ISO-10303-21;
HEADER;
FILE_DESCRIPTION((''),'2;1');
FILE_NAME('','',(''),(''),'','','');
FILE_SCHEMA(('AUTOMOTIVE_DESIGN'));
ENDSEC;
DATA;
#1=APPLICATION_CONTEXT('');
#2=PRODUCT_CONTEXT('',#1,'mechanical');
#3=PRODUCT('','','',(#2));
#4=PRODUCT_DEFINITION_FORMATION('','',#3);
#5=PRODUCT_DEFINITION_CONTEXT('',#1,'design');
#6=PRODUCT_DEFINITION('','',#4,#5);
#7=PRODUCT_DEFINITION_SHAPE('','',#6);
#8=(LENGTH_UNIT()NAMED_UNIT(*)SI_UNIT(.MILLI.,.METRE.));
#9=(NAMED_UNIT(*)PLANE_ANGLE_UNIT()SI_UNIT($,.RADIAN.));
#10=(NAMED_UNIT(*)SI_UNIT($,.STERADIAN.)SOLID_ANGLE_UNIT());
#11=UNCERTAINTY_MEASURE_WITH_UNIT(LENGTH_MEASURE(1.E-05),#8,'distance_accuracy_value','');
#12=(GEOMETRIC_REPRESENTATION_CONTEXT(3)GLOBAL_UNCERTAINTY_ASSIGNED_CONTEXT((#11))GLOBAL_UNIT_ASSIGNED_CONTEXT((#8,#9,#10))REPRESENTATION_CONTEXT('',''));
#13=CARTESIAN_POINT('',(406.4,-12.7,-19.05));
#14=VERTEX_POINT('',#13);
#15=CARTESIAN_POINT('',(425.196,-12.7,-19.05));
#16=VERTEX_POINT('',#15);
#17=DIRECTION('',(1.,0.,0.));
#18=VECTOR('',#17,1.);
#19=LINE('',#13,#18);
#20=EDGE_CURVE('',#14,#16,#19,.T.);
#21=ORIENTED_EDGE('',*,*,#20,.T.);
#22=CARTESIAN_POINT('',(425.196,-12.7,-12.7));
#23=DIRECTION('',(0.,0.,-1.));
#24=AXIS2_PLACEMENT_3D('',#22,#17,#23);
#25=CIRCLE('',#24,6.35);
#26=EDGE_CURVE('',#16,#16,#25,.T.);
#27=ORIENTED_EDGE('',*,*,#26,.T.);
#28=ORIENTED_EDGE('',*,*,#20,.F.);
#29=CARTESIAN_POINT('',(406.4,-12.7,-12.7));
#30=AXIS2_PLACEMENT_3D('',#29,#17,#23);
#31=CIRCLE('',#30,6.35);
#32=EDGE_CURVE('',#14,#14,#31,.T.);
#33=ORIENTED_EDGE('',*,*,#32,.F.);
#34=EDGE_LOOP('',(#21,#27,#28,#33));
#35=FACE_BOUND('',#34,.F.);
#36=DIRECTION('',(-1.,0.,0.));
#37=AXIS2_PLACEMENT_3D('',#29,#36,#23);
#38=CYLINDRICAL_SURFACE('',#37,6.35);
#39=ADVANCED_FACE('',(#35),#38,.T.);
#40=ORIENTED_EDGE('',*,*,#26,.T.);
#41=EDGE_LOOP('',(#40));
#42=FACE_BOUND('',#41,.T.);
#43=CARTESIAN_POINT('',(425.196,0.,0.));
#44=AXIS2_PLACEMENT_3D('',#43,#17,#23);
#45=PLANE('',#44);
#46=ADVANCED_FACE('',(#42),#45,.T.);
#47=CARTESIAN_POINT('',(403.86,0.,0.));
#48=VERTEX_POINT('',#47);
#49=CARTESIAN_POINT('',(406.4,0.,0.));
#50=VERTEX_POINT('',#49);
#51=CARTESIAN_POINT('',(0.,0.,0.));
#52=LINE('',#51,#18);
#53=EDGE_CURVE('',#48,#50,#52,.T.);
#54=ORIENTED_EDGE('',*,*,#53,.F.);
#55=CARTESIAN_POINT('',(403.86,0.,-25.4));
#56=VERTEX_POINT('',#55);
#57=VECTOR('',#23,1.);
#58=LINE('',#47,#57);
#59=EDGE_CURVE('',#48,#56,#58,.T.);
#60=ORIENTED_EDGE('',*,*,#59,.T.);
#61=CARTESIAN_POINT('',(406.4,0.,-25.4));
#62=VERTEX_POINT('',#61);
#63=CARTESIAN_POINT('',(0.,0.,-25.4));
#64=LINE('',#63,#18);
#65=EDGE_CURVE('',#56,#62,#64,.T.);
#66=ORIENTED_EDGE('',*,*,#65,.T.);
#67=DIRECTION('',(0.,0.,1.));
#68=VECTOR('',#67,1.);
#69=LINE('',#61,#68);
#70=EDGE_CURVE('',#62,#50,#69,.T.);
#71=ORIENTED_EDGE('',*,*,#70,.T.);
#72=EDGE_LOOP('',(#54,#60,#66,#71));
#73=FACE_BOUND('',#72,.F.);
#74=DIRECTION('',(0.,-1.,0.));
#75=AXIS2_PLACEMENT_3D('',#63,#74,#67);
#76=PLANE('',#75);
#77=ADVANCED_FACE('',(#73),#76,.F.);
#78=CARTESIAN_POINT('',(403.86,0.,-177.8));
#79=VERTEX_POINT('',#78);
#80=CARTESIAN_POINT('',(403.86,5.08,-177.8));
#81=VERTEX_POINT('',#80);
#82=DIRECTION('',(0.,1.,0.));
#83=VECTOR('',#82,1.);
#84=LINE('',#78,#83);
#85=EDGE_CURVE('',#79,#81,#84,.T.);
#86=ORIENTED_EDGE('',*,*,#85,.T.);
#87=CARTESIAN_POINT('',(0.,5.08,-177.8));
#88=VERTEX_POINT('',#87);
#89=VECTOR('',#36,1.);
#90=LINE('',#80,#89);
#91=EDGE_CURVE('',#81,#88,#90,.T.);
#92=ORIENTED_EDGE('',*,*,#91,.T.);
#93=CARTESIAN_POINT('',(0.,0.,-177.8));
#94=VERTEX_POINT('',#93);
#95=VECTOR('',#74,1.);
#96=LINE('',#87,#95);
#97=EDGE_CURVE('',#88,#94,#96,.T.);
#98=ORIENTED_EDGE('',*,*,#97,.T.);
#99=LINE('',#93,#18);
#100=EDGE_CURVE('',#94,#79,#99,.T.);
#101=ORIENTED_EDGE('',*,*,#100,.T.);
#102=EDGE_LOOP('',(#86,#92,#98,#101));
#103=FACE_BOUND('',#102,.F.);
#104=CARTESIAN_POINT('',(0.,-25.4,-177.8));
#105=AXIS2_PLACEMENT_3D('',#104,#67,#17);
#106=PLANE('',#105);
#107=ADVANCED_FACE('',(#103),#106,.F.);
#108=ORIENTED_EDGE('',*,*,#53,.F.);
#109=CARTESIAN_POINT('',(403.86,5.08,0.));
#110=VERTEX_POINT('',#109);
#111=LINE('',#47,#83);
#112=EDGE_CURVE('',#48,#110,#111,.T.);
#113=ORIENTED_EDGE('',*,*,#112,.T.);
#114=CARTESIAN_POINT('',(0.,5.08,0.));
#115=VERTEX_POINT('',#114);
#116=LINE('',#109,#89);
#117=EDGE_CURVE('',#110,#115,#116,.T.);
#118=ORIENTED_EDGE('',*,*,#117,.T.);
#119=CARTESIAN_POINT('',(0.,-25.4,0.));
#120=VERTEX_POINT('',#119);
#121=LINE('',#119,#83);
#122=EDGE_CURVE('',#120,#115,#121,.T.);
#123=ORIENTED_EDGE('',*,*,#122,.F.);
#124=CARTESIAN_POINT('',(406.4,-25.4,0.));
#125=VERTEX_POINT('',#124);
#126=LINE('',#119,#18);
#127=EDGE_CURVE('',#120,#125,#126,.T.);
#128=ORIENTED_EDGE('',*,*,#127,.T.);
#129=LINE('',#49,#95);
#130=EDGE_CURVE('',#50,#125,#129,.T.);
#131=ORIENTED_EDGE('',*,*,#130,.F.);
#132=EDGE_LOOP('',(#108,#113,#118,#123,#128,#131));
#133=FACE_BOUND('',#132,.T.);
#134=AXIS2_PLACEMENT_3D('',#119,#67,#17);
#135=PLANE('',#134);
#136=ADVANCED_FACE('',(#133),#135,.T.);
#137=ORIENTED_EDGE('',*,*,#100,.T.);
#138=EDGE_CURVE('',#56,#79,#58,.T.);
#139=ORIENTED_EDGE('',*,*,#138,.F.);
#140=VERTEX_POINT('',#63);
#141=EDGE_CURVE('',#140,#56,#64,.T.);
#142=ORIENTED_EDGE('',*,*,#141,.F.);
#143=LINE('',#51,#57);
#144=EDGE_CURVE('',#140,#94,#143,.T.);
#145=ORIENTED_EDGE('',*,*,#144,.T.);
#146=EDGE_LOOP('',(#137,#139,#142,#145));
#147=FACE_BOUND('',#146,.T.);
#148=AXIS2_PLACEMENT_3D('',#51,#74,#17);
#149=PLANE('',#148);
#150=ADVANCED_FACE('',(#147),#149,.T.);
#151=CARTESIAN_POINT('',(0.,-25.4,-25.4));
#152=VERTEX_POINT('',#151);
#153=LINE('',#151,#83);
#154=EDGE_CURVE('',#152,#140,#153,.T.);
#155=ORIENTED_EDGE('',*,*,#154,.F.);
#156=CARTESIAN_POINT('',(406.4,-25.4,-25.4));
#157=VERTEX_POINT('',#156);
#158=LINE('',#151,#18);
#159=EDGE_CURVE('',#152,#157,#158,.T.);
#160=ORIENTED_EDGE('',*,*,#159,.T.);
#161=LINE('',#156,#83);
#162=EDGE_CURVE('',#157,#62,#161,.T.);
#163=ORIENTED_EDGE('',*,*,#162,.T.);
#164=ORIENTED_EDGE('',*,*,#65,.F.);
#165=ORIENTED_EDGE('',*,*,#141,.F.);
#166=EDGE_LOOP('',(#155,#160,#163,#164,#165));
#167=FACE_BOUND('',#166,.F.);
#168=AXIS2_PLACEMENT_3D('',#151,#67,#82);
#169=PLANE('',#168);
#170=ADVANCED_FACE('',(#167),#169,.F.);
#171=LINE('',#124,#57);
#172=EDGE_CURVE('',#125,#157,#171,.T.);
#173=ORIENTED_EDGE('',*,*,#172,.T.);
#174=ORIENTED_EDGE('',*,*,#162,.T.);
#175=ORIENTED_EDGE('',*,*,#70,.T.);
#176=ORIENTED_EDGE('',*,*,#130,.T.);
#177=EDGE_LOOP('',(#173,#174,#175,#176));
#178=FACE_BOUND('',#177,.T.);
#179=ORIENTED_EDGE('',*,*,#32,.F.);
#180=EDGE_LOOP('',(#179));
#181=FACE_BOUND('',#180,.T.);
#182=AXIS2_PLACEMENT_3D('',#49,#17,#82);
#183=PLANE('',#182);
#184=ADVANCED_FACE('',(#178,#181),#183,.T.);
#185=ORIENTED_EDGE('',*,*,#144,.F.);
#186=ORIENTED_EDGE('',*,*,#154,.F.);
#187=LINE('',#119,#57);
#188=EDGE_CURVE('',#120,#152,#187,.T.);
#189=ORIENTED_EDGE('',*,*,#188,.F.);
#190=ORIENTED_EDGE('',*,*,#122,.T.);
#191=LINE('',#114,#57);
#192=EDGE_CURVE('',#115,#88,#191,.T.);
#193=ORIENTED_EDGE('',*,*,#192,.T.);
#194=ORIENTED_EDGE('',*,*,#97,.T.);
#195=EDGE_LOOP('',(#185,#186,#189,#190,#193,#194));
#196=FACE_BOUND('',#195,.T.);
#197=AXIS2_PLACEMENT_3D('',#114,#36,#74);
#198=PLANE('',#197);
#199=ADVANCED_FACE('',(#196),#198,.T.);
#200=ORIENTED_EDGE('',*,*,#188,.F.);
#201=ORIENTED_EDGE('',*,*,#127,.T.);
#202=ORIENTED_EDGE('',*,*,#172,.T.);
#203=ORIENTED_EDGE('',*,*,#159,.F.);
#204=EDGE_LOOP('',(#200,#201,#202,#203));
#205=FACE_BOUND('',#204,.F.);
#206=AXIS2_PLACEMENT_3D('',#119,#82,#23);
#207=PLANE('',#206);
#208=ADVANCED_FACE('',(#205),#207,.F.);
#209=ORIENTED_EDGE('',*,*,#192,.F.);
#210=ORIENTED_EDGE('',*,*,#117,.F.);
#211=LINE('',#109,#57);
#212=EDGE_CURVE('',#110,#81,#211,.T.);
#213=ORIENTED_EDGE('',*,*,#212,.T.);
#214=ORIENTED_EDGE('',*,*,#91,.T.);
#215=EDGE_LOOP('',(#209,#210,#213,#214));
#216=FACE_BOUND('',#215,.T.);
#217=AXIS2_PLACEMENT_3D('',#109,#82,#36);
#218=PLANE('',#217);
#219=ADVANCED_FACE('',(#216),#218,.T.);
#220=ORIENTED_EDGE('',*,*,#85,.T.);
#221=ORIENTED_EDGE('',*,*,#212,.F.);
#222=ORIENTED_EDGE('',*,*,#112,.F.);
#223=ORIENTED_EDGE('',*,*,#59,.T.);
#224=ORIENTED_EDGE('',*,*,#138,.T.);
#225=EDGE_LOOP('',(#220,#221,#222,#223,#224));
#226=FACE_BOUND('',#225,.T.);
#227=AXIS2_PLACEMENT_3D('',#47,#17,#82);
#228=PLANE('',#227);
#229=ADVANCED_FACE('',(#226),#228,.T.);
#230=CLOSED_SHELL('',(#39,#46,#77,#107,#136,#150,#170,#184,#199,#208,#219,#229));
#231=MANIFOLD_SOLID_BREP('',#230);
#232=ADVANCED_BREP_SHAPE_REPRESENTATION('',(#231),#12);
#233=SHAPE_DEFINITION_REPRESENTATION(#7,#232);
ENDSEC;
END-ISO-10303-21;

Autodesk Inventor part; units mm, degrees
ref_plane "YZ Plane" through (0, 0, 0) normal (1, 0, 0) x (0, 1, 0)
ref_plane "XZ Plane" through (0, 0, 0) normal (0, 1, 0) x (-1, 0, 0)
ref_plane "XY Plane" through (0, 0, 0) normal (0, 0, 1) x (1, 0, 0)
sketch "Sketch1" plane through (0, 0, 0) normal (1, 0, 0) x (0, 1, 0)
  line L0 (0, 0) -> (-25.4, 0)
  line L1 (-25.4, 0) -> (-25.4, -25.4)
  line L2 (-25.4, -25.4) -> (0, -25.4)
  line L3 (0, -25.4) -> (0, 0)
  dimension "d0" = 25.4
  dimension "d1" = 25.4
extrude "Extrusion1" add sketch "Sketch1" along normal blind 406.4
sketch "Sketch2" plane through (406.4, 0, 0) normal (1, 0, 0) x (0, 0, -1)
  circle A0 centre (12.7, -12.7) radius 6.35
  line L0 (12.7, -12.7) -> (12.7, 0) construction
  line L1 (25.4, 0) -> (0, 0) projected
  dimension "d4" = 12.7
  dimension "d11" = 12.7
extrude "Extrusion2" add sketch "Sketch2" along normal blind 18.796
sketch "Sketch3" plane through (0, 0, 0) normal (-1, 0, 0) x (0, 0, 1)
  circle A0 centre (-12.7, -12.7) radius 6.35
  line L0 (-12.7, -12.7) -> (-12.7, 0) construction
  line L1 (-25.4, 0) -> (0, 0) construction
  line L2 (0, 0) -> (0, -25.4) construction
  dimension "d9" = 12.7
  dimension "d10" = 12.7
extrude "Extrusion3" add sketch "Sketch3" against normal blind 19.05
sketch "Sketch4" plane through (0, -25.4, 0) normal (0, 0, 1) x (1, 0, 0)
  line L0 (0, 25.4) -> (403.86, 25.4)
  line L1 (403.86, 25.4) -> (403.86, 30.48)
  line L2 (403.86, 30.48) -> (0, 30.48)
  line L3 (0, 30.48) -> (0, 25.4)
  dimension "d12" = 5.08
  dimension "d15" = 403.86
extrude "Extrusion4" add sketch "Sketch4" against normal blind 177.8
properties part number "hopper_bar"
